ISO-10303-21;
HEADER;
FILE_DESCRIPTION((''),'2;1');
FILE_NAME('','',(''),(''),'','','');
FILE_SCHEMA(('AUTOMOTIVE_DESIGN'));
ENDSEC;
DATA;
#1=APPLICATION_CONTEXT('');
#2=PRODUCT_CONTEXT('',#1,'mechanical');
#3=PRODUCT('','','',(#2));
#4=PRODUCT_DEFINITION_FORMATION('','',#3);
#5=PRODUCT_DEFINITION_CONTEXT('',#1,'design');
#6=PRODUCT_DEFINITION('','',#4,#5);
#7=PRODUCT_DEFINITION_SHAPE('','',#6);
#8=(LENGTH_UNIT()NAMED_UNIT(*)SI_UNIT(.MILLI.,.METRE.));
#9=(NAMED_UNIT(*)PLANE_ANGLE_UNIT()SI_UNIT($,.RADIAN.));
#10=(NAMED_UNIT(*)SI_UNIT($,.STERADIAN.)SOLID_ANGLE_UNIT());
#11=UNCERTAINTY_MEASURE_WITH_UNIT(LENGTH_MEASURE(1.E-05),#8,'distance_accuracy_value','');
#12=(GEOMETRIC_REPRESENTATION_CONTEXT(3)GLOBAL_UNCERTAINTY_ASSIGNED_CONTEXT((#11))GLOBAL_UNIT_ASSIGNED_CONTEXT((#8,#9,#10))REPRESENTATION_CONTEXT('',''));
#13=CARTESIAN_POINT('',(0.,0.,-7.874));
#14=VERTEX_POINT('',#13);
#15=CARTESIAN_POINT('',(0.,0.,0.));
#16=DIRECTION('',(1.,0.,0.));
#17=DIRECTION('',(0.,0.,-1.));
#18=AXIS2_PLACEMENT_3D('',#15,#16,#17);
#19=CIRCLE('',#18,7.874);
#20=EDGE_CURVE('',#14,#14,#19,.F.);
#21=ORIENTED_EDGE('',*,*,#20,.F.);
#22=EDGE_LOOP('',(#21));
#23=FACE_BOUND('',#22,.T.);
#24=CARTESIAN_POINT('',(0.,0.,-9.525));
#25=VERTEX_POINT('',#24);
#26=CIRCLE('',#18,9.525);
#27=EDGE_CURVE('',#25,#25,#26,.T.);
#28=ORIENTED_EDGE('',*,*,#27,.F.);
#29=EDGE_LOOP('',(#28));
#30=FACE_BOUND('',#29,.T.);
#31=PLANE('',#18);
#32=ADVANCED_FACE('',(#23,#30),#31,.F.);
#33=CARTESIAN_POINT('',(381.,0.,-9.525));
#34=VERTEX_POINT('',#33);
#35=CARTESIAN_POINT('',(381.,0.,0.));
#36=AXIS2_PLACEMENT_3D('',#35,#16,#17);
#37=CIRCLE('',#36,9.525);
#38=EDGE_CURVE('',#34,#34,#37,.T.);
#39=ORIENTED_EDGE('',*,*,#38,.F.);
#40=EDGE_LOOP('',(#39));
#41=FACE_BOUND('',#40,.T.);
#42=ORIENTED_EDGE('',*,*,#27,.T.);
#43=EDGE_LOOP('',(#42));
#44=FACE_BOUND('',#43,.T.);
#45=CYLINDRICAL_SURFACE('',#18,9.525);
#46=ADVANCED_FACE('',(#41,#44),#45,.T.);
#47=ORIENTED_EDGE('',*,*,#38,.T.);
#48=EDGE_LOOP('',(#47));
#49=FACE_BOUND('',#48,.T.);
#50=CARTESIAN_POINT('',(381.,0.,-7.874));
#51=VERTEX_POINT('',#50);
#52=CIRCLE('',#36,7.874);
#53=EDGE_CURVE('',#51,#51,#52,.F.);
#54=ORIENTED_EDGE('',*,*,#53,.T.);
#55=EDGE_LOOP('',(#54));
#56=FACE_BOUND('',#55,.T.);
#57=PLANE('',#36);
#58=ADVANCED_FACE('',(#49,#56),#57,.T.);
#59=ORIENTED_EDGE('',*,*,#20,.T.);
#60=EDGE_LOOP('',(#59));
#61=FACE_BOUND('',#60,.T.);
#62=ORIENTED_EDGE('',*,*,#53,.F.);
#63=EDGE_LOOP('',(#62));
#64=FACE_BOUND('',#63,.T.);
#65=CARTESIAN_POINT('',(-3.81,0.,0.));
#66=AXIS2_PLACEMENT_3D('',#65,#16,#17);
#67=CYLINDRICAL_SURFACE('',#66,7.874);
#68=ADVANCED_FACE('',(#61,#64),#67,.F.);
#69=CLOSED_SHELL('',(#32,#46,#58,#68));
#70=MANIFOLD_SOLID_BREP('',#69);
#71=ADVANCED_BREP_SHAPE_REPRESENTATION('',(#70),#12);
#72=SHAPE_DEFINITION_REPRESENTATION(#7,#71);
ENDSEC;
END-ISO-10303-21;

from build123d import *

# Parameters (mm, degrees)
SWEEP1_PROFILE_R     = 9.525
CUT_SWEEP1_PROFILE_R = 7.874


with BuildPart() as part:
    # Sweep1: sweep along a path in Sketch1
    with BuildLine(Plane.XY) as sweep1_path:
        Line((0, 0), (381, 0))
    # Sweep1 profile (on start of the path) → Sweep1 (sweep)
    with BuildSketch(Plane(origin=(0, 0, 0), x_dir=(0, 0, 1), z_dir=(1, 0, 0))):
        Circle(SWEEP1_PROFILE_R)
    sweep(path=sweep1_path.line)

    # Cut-Sweep1: sweep along a path in Sketch1<2>
    with BuildLine(Plane.XY) as cut_sweep1_path:
        Line((0, 0), (381, 0))
    # Cut-Sweep1 profile (on start of the path) → Cut-Sweep1 (sweep, cut)
    with BuildSketch(Plane(origin=(0, 0, 0), x_dir=(0, 0, 1), z_dir=(1, 0, 0))):
        Circle(CUT_SWEEP1_PROFILE_R)
    sweep(path=cut_sweep1_path.line, mode=Mode.SUBTRACT)


solid = part.part
